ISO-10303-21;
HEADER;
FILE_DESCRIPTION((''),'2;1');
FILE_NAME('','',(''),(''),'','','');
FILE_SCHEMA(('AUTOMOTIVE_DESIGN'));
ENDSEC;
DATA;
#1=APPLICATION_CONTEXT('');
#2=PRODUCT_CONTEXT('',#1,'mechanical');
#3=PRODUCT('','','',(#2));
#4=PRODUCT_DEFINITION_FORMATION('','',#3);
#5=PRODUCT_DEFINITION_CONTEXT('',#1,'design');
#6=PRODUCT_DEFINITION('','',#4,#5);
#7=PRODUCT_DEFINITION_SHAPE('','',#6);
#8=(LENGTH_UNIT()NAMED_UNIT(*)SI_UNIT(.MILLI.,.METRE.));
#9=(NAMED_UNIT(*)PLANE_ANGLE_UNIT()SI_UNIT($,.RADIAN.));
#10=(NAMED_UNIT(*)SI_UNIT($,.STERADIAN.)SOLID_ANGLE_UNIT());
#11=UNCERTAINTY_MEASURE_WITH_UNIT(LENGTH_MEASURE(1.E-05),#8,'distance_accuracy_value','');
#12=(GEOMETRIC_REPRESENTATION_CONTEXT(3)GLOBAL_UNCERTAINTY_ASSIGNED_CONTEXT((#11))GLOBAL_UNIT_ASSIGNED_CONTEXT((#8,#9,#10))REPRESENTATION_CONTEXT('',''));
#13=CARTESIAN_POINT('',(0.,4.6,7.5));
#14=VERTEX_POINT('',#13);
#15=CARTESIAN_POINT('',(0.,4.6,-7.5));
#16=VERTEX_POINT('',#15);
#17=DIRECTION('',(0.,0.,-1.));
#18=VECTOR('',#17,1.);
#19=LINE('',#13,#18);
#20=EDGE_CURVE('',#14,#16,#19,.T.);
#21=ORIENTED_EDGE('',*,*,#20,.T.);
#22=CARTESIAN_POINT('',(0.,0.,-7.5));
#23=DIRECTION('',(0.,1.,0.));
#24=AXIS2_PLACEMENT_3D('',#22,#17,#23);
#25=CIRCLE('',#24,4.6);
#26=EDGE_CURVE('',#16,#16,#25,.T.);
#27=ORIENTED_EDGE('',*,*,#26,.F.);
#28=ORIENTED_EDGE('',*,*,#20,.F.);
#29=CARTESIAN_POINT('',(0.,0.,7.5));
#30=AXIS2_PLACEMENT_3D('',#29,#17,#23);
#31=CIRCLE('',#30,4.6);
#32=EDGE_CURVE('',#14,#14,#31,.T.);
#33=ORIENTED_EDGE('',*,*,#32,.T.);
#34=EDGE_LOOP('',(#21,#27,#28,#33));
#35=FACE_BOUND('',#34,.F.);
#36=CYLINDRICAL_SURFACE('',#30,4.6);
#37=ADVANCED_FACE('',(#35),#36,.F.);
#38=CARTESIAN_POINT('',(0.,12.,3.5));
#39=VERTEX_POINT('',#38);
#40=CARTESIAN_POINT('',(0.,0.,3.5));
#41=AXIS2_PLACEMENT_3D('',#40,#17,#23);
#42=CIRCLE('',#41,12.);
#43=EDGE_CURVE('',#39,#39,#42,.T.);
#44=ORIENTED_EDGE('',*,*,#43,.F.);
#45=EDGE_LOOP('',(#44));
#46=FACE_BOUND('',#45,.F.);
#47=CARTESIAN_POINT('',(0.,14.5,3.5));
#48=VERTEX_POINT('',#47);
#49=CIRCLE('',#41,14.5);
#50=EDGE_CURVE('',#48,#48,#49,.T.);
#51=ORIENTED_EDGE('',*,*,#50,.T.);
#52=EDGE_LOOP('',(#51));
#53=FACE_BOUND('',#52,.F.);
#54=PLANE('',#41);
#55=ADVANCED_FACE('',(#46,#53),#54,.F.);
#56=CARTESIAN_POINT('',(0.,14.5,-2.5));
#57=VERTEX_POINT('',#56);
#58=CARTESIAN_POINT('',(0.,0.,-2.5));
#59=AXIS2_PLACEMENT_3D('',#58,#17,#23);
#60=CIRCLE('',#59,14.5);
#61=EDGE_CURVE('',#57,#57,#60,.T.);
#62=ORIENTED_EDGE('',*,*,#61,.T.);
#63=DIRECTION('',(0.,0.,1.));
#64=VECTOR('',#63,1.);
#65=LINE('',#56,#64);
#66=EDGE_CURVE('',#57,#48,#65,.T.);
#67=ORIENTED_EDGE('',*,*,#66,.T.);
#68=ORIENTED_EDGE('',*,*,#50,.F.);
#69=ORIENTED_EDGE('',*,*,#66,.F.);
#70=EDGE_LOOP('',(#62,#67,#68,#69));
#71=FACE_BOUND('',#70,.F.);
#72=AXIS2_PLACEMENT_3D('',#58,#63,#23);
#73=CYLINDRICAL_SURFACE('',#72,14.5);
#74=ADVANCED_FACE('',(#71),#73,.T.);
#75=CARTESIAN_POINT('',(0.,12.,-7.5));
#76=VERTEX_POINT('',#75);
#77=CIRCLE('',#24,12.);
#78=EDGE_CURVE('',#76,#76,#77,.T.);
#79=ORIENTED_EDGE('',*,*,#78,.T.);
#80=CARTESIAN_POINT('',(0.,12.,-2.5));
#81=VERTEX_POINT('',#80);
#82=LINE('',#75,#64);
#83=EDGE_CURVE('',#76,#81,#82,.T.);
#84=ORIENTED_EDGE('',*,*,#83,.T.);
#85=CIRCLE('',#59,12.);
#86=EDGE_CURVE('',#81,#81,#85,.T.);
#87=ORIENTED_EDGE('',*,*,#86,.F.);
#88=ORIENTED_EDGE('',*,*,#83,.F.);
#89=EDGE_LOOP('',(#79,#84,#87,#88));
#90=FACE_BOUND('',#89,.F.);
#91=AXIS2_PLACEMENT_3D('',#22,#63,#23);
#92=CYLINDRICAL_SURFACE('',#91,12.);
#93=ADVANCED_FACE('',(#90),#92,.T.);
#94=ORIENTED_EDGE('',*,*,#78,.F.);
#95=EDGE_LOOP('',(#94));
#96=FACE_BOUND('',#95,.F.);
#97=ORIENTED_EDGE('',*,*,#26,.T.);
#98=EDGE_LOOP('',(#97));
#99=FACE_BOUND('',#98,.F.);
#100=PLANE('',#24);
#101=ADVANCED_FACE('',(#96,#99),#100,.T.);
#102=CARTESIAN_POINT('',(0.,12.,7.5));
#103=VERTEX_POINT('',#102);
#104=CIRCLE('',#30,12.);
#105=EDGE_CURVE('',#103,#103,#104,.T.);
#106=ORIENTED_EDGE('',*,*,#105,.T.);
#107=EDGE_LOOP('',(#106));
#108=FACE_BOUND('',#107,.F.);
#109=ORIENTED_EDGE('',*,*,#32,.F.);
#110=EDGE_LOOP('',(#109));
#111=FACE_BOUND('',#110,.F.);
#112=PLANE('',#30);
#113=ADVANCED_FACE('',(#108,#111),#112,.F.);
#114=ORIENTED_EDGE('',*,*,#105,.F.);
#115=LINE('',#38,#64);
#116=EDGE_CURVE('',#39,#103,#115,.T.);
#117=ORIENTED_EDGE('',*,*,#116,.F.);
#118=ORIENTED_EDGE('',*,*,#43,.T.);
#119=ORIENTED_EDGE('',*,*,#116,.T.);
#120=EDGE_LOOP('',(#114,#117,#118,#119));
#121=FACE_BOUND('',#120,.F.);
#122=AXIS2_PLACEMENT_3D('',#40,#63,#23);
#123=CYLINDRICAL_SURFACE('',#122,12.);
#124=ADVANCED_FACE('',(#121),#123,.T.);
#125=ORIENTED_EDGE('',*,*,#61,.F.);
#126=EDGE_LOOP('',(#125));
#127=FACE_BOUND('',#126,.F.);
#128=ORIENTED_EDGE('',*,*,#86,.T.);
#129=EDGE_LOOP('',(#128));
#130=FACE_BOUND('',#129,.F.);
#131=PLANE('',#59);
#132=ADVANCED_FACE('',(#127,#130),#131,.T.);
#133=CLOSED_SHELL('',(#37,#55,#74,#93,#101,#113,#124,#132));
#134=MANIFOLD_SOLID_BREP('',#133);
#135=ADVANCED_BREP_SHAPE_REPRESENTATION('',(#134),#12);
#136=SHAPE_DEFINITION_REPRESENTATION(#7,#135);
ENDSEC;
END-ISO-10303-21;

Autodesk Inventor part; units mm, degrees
sketch "Sketch_1" plane through (0, 0, 0) normal (1, 0, 0) x (0, 1, 0)
  line L0 (0, -7.5) -> (0, 7.5)
  line L1 (4.6, 7.5) -> (4.6, -7.5)
  line L2 (4.6, -7.5) -> (12, -7.5)
  line L3 (12, -7.5) -> (12, -2.5)
  line L4 (12, -2.5) -> (14.5, -2.5)
  line L5 (14.5, -2.5) -> (14.5, 3.5)
  line L6 (14.5, 3.5) -> (12, 3.5)
  line L7 (12, 3.5) -> (12, 7.5)
  line L8 (12, 7.5) -> (4.6, 7.5)
revolve "Revolution1" add sketch "Sketch_1" angle 360 about axis through (0, 0, -7.5) along (0, 0, -1)
ref_plane "1_XY" through (0, 0, -7.5) normal (0, 0, 1) x (1, 0, 0)
ref_plane "1_YZ" through (0, 0, -7.5) normal (1, 0, 0) x (0, 1, 0)
ref_plane "1_ZX" through (0, 0, -7.5) normal (0, 1, 0) x (0, 0, 1)
ref_plane "2_XY" through (0, 0, 7.5) normal (0, 0, 1) x (1, 0, 0)
ref_plane "2_YZ" through (0, 0, 7.5) normal (1, 0, 0) x (0, 1, 0)
ref_plane "2_ZX" through (0, 0, 7.5) normal (0, 1, 0) x (0, 0, 1)
properties part number "HFROLL5_b"
